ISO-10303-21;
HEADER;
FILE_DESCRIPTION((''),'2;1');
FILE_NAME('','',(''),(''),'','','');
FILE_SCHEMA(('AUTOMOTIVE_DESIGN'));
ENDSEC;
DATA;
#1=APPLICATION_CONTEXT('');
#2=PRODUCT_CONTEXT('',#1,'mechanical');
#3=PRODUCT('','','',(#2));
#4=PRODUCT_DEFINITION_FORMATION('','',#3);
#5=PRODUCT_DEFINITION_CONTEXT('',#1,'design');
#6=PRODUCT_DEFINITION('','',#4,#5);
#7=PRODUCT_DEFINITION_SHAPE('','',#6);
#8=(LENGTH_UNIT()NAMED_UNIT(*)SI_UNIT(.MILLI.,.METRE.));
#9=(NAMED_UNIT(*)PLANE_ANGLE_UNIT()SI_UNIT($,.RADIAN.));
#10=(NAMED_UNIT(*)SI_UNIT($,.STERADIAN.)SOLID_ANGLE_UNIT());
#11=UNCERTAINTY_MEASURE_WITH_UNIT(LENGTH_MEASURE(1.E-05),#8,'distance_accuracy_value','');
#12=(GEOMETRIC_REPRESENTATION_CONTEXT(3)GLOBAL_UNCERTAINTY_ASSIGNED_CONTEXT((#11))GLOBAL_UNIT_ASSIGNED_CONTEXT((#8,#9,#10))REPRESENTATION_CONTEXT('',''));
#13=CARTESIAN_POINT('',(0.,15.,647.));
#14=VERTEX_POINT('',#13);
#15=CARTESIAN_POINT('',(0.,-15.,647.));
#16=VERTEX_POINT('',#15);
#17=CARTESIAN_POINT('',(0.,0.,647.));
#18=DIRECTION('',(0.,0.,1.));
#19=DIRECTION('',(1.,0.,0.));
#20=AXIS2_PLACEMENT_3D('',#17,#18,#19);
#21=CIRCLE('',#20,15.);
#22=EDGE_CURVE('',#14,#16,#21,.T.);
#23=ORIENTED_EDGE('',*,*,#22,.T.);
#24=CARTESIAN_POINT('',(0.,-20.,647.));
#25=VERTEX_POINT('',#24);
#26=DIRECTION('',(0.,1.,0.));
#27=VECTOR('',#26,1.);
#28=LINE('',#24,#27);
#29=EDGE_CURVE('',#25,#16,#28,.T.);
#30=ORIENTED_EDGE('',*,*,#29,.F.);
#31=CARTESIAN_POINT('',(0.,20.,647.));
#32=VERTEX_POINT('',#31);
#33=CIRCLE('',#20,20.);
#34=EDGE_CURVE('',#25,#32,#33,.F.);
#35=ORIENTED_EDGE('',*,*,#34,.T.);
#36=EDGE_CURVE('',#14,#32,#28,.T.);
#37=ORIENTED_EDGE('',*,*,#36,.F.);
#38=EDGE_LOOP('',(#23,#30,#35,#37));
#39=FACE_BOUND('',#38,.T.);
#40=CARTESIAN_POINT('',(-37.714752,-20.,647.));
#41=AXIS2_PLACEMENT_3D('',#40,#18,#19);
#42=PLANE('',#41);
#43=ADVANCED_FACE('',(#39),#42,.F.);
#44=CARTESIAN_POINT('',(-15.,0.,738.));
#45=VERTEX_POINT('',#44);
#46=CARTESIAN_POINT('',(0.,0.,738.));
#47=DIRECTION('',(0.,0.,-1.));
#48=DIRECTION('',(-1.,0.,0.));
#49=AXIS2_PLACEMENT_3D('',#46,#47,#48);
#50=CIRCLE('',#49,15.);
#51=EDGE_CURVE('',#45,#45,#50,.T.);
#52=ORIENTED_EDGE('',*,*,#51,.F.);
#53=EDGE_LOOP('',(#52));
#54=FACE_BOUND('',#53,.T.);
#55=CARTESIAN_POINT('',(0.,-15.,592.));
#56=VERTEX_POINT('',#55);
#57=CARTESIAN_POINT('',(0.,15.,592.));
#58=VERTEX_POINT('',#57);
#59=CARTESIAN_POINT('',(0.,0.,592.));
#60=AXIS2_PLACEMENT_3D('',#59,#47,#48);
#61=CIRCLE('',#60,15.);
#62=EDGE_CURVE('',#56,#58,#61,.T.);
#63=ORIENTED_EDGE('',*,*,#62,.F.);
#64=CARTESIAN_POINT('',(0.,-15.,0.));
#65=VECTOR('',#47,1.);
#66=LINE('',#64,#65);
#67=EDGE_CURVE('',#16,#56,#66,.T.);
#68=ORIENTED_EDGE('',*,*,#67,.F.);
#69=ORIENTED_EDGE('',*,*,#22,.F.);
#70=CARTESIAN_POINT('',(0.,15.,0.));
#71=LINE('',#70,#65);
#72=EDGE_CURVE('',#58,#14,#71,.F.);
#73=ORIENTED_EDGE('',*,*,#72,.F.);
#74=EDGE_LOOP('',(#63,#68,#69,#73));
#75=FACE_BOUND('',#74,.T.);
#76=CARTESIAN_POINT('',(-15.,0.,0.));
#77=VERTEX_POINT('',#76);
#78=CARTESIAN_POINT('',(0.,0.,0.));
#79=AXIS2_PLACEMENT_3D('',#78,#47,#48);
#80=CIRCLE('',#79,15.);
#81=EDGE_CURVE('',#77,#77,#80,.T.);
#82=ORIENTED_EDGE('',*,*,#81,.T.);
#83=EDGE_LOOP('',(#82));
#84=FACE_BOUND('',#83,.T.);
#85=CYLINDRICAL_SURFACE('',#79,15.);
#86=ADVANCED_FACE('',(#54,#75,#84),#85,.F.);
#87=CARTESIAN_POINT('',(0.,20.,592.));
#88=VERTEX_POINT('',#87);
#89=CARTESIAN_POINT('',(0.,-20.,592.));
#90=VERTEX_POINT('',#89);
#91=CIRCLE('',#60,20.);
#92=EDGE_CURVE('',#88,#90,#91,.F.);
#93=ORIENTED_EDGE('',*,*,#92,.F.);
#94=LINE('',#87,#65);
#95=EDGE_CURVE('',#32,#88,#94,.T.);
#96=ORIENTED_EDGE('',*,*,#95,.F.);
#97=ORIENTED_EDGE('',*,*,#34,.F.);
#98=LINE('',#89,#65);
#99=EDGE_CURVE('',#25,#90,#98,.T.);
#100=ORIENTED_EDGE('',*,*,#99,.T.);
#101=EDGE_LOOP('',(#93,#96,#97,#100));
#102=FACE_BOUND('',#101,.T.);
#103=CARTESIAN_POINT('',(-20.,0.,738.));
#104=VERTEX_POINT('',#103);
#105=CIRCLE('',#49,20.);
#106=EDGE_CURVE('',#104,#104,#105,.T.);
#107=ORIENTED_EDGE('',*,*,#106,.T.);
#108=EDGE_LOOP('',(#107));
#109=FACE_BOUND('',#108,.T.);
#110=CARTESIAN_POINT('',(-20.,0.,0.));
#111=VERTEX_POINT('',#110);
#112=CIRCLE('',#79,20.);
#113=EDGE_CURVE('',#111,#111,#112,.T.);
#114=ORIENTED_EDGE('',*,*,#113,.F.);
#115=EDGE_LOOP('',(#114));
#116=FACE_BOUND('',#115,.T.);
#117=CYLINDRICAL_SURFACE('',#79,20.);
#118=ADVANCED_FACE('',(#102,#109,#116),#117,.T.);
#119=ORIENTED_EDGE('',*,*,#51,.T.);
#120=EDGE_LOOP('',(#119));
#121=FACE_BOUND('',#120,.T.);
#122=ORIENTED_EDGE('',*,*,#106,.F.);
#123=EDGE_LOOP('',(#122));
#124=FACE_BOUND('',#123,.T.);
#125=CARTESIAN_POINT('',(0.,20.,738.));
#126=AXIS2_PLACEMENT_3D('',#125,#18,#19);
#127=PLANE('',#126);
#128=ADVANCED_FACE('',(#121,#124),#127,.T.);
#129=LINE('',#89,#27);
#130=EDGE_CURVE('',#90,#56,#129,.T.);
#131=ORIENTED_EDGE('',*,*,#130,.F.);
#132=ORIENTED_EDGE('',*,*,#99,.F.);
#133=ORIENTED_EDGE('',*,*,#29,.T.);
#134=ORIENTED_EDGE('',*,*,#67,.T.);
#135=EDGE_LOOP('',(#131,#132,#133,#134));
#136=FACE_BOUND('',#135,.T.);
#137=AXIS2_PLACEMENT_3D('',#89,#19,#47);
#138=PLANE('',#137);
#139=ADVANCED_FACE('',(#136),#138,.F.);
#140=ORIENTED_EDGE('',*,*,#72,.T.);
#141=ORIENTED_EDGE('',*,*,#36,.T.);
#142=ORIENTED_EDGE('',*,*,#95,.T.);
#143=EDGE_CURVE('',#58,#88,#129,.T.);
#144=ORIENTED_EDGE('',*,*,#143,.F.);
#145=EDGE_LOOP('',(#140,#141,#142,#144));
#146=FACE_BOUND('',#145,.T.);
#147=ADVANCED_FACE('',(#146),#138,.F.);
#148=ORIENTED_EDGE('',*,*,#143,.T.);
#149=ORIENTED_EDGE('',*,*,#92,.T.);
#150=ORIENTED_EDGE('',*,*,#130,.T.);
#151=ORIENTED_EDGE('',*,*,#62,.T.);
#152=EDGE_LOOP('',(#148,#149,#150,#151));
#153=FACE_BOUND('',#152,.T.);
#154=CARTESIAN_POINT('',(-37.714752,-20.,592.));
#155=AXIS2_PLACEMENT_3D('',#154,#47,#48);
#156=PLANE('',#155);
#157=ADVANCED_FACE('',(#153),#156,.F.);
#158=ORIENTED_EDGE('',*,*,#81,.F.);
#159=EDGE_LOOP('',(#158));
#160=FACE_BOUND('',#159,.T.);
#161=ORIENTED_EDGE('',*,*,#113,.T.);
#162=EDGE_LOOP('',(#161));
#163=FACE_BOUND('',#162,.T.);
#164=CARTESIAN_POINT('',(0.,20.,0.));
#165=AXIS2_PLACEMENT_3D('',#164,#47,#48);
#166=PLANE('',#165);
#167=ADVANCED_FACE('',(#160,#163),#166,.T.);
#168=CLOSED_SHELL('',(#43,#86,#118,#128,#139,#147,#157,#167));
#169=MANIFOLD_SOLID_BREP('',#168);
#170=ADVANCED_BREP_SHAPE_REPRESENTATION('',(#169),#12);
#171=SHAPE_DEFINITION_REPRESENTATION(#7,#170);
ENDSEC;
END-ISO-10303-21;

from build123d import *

# Parameters (mm, degrees)
SKETCH1_W               = 738
SKETCH1_H               = 5
CUT_EXTRUDE1_DEPTH      = 739.541806535
CUT_EXTRUDE1_DEPTH_BACK = 739.541806535
SKETCH2_W               = 37.714751534
SKETCH2_H               = 55


with BuildPart() as part:
    # Sketch1 → Revolve1 (revolve)
    with BuildSketch(Plane(origin=(0, 0, 0), x_dir=(0, 0, -1), z_dir=(1, 0, 0)), mode=Mode.PRIVATE) as revolve1_sk:
        with Locations((-369, 17.5)):
            Rectangle(SKETCH1_W, SKETCH1_H)
    revolve(revolve1_sk.sketch.rotate(Axis((0, 0, 0), (0, 0, 1)), 90), axis=Axis((0, 0, 0), (0, 0, 1)))

    # Sketch2 → Cut-Extrude1 (cut, two sides: drawn at the far end of the back side and taken through both)
    with BuildSketch(Plane(origin=(0, 0, 0), x_dir=(1, 0, 0), z_dir=(0, 1, 0)).offset(-CUT_EXTRUDE1_DEPTH_BACK)):
        with Locations((-18.857375767, -619.5)):
            Rectangle(SKETCH2_W, SKETCH2_H)
    extrude(amount=CUT_EXTRUDE1_DEPTH + CUT_EXTRUDE1_DEPTH_BACK, mode=Mode.SUBTRACT)


solid = part.part
